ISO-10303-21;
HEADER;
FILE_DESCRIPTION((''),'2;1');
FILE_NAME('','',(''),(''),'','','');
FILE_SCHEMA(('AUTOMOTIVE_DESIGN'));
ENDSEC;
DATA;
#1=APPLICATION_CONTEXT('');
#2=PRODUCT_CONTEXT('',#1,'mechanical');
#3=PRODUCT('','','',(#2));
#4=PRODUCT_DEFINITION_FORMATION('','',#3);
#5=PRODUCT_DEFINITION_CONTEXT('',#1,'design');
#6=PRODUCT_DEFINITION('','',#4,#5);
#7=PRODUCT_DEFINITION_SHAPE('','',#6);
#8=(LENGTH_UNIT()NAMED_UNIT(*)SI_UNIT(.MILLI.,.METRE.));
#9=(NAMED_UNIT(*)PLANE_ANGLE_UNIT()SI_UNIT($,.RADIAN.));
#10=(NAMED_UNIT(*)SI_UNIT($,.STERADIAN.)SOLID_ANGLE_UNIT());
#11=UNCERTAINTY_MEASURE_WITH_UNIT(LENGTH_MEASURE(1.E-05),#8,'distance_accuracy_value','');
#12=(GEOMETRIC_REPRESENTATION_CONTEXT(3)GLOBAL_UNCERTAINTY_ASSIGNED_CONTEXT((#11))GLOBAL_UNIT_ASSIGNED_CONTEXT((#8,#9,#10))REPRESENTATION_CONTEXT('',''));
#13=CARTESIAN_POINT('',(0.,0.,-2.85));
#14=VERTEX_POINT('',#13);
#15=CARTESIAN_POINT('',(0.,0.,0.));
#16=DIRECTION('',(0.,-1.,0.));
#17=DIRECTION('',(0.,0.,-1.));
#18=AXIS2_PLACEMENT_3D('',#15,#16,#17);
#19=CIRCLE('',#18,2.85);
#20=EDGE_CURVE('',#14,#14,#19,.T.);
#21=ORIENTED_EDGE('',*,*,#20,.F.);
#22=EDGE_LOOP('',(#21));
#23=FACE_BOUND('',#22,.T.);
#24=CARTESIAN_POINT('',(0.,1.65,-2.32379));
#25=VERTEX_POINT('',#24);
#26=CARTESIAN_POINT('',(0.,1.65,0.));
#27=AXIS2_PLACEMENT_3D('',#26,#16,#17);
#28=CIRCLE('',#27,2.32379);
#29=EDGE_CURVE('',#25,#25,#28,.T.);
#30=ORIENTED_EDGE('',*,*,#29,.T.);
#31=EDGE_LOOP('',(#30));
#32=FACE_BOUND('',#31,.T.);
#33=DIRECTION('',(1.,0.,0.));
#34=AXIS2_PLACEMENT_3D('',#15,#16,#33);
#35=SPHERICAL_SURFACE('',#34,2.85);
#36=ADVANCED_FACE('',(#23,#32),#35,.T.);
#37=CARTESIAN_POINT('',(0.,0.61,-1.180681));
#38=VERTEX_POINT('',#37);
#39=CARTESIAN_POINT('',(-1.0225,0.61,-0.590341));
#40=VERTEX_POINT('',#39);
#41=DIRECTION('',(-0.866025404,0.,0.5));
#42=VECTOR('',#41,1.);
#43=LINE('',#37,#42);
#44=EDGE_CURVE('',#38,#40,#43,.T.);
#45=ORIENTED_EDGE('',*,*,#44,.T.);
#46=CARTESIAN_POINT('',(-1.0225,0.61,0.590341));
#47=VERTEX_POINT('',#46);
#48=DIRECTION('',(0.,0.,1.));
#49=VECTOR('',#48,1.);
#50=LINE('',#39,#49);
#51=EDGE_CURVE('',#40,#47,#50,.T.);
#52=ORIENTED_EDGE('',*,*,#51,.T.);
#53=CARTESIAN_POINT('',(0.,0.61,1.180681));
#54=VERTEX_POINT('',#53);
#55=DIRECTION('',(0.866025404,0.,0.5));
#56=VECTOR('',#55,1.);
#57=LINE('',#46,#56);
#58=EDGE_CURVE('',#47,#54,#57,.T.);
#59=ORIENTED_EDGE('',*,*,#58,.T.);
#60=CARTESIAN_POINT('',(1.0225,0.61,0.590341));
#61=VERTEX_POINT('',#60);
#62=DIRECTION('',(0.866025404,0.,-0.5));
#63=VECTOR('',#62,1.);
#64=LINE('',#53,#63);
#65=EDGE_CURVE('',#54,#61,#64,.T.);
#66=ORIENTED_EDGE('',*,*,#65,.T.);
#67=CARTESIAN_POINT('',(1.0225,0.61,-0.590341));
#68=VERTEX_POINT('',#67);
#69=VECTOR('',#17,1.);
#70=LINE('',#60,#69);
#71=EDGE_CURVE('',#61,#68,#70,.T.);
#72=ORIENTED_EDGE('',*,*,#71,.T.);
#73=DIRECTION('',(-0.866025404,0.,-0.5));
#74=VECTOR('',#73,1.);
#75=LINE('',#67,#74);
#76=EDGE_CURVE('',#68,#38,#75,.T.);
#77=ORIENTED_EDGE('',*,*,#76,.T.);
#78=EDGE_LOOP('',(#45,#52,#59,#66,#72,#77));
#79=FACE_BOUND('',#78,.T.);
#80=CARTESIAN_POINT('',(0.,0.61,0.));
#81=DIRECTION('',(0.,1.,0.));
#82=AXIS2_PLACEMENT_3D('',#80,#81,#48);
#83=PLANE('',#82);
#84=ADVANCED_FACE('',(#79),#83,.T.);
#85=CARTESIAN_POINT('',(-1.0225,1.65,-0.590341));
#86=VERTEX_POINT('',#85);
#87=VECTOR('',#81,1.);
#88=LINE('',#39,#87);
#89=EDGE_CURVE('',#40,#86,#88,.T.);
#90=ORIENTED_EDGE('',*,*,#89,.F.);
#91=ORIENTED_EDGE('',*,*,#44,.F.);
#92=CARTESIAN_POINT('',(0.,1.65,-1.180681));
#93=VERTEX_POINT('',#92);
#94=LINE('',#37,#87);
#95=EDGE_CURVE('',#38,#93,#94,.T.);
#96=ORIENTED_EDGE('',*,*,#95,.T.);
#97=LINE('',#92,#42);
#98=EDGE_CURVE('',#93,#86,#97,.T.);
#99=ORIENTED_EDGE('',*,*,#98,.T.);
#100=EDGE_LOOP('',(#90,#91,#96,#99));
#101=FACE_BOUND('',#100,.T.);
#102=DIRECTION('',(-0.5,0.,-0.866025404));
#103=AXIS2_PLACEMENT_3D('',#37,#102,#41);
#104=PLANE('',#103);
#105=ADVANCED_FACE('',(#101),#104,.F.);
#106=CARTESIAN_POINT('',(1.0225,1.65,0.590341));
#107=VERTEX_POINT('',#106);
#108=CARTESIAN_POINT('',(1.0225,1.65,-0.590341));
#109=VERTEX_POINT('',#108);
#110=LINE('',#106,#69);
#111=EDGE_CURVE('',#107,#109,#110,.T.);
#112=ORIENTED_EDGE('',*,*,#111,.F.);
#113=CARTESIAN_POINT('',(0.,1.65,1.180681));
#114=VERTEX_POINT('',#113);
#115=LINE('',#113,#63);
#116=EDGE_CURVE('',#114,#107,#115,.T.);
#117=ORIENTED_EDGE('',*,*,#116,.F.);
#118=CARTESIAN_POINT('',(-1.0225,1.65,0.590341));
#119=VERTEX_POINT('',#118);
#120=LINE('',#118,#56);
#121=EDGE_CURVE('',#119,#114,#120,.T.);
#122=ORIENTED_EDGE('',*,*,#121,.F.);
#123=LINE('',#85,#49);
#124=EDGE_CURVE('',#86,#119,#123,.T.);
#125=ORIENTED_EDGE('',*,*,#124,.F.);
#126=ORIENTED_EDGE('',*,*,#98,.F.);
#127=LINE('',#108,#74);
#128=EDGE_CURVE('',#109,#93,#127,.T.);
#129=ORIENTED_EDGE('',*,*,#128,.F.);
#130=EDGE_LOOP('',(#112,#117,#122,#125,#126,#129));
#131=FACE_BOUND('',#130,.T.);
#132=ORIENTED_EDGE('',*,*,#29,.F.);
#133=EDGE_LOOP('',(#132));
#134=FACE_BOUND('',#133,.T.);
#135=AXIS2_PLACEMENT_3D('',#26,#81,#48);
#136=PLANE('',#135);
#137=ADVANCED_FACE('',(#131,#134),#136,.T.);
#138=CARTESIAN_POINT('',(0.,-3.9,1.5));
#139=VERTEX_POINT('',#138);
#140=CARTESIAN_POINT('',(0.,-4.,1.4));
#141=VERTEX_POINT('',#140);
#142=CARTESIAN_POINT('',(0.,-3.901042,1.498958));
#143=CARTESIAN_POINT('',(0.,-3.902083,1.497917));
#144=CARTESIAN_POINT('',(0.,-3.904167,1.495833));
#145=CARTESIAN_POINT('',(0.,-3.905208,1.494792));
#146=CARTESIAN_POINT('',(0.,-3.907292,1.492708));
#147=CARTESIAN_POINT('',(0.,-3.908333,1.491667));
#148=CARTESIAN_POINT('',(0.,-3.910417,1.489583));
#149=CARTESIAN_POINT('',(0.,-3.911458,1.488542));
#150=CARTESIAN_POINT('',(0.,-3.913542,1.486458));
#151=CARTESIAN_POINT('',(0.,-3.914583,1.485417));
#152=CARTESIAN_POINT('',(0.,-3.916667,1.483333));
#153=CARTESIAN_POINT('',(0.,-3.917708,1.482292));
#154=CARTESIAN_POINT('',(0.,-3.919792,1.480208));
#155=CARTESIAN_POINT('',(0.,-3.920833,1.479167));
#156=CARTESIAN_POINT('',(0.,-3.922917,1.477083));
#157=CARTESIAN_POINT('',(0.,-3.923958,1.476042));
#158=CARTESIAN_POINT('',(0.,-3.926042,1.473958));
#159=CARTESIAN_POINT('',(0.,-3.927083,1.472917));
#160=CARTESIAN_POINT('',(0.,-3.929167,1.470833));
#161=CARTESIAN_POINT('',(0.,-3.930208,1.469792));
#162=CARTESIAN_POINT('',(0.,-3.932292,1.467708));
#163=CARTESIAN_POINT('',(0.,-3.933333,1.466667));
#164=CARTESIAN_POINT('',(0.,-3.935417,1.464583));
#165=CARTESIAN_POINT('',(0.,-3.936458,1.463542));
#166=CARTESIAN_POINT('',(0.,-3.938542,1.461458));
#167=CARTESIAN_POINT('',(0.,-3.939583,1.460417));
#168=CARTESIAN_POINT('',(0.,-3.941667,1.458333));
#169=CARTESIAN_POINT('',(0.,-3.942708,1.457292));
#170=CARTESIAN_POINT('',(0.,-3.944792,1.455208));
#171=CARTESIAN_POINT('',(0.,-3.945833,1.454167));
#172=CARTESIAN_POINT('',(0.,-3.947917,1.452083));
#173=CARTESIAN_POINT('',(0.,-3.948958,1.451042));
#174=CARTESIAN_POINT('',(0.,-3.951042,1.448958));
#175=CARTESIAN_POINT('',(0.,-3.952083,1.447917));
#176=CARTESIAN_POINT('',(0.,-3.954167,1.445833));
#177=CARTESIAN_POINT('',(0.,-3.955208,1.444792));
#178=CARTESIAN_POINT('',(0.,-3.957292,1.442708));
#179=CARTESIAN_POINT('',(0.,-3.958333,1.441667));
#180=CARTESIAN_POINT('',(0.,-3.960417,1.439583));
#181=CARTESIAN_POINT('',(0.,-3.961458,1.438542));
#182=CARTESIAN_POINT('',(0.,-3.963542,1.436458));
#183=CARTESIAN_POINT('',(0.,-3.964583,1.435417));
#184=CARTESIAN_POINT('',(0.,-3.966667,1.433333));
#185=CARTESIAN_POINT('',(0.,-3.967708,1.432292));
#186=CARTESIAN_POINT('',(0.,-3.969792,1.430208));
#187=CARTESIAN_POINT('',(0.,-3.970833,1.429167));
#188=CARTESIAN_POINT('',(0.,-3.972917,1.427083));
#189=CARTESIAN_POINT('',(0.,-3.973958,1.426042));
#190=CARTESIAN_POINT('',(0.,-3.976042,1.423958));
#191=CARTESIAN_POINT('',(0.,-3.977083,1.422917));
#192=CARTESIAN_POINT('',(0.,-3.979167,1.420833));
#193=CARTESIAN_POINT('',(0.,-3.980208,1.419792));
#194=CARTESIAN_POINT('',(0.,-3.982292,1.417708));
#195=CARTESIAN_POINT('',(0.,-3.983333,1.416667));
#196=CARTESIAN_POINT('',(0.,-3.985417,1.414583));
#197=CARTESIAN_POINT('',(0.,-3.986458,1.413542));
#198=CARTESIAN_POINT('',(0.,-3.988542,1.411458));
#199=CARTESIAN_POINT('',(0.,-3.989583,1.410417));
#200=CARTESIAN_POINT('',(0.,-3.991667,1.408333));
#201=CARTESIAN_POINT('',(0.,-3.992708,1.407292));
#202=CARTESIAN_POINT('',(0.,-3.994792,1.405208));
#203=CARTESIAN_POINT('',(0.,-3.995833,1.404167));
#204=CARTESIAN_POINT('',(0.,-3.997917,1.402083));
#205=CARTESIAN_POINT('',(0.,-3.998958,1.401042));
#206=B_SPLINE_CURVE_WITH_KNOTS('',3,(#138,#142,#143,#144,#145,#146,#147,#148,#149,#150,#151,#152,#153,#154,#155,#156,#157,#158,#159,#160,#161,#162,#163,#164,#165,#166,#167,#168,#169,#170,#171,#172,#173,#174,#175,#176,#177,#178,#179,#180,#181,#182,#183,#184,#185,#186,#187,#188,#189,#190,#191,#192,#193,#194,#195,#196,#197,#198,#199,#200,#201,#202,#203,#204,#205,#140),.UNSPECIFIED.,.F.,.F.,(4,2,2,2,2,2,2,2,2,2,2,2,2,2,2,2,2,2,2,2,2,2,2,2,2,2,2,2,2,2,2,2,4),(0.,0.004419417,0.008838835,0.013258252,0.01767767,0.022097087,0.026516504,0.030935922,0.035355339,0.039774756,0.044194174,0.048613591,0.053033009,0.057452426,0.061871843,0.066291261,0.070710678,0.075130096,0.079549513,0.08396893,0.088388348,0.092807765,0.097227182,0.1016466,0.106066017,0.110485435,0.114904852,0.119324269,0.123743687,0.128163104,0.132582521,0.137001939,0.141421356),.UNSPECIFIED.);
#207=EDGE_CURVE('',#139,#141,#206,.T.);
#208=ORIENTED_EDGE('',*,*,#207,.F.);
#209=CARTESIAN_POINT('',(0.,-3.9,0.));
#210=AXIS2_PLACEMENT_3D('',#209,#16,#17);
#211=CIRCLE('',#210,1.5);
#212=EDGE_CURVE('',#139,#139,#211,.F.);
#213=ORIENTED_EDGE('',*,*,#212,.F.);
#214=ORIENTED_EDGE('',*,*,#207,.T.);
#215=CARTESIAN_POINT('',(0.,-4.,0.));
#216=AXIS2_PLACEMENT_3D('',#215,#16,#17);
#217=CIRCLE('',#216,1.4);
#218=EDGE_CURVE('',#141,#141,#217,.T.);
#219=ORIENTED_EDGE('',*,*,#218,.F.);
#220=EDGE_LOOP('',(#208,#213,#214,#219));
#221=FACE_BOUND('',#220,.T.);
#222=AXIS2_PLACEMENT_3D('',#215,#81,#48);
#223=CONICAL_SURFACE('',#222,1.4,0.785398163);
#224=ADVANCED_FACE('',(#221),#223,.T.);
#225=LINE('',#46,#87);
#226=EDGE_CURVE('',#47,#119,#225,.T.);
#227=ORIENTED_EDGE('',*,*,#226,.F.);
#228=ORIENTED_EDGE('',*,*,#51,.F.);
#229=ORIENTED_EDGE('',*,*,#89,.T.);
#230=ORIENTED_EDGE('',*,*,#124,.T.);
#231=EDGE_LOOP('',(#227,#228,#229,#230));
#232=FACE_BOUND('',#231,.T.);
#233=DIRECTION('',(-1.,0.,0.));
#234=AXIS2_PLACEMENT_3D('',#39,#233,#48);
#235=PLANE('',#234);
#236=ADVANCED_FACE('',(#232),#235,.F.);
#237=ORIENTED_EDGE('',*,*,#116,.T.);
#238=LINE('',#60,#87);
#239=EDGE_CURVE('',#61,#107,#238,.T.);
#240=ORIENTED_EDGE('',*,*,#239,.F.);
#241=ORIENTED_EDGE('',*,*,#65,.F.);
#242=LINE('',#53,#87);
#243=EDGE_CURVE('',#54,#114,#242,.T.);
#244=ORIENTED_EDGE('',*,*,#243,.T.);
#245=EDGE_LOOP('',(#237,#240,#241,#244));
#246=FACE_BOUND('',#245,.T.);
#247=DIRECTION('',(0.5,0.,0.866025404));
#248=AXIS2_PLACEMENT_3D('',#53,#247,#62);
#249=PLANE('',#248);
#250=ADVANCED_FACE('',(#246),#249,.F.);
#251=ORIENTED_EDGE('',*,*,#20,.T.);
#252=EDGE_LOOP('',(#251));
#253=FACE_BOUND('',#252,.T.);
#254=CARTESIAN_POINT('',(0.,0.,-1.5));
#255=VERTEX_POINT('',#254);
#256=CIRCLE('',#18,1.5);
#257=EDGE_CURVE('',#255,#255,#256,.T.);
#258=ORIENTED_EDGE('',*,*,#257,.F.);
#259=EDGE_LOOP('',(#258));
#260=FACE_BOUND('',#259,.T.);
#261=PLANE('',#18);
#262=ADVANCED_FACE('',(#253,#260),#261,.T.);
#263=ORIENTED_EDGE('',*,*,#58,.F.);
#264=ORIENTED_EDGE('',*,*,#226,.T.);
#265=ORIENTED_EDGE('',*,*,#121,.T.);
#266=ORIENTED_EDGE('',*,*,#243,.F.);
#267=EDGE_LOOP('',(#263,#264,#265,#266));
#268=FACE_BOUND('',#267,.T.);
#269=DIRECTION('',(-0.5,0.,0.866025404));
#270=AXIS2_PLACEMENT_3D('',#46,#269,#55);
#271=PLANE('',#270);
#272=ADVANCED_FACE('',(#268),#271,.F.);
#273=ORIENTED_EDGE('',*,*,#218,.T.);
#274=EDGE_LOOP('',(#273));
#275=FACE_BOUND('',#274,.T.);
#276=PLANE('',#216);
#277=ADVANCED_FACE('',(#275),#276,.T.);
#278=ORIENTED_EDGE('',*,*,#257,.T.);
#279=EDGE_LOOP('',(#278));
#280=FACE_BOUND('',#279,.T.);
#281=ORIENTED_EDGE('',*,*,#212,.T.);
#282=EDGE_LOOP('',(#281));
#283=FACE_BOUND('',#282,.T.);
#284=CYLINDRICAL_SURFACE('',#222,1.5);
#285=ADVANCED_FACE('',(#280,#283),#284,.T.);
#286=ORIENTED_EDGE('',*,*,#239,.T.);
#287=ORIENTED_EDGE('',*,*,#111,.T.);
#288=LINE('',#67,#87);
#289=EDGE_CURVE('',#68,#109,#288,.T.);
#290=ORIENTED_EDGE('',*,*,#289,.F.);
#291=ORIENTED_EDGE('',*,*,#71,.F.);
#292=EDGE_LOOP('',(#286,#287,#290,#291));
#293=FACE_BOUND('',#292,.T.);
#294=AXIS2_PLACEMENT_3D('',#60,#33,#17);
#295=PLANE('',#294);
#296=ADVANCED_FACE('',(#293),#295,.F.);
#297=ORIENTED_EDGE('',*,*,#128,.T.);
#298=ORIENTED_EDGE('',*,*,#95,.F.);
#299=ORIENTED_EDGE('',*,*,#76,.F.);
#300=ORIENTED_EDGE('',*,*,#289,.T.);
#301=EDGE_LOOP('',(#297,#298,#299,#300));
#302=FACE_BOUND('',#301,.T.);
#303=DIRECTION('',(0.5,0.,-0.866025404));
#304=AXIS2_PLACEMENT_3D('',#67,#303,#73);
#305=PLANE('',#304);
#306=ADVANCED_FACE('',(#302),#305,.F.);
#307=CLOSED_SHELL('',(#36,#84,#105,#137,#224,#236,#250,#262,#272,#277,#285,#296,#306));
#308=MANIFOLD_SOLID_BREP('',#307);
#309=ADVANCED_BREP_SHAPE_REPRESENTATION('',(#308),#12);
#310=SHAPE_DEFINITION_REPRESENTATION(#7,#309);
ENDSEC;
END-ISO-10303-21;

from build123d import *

# Parameters (mm, degrees)
SKETCH_2_R            = 1.5
EXTRUDE_460_DEPTH     = 4
CUT_EXTRUDE_626_DEPTH = 1.04
CHAMFER_688_SIZE      = 0.1


with BuildPart() as part:
    # 草图1 → Revolve 370 (revolve)
    with BuildSketch(Plane.XY, mode=Mode.PRIVATE) as revolve_370_sk:
        with BuildLine():
            Line((0, 0), (2.85, 0))
            ThreePointArc((2.85, 0), (2.715262558, 0.865938358), (2.323790008, 1.65))
            Line((2.323790008, 1.65), (0, 1.65))
            Line((0, 1.65), (0, 0))
        make_face()
    revolve(revolve_370_sk.sketch.rotate(Axis((0, 0, 0), (0, 1, 0)), 90), axis=Axis((0, 0, 0), (0, 1, 0)))

    # 草图2 → Extrude 460 (add)
    with BuildSketch(Plane.XZ):
        with Locations(Location((0, 0, 0), (0, 0, 270))):
            Circle(SKETCH_2_R)
    extrude(amount=EXTRUDE_460_DEPTH)

    # 草图3 → Cut-Extrude 626 (cut)
    with BuildSketch(Plane(origin=(0, 1.65, 0), x_dir=(1, 0, 0), z_dir=(0, 1, 0))):
        Polygon((1.0225, -0.59034065), (1.0225, 0.59034065), (0, 1.1806813), (-1.0225, 0.59034065), (-1.0225, -0.59034065), (0, -1.1806813), align=None)
    extrude(amount=-CUT_EXTRUDE_626_DEPTH, mode=Mode.SUBTRACT)

    # Chamfer 688
    chamfer_688_edges = [part.edges().sort_by_distance(p)[0] for p in [
        (0, -4, 1.5),
    ]]
    chamfer(chamfer_688_edges, length=CHAMFER_688_SIZE)


solid = part.part
